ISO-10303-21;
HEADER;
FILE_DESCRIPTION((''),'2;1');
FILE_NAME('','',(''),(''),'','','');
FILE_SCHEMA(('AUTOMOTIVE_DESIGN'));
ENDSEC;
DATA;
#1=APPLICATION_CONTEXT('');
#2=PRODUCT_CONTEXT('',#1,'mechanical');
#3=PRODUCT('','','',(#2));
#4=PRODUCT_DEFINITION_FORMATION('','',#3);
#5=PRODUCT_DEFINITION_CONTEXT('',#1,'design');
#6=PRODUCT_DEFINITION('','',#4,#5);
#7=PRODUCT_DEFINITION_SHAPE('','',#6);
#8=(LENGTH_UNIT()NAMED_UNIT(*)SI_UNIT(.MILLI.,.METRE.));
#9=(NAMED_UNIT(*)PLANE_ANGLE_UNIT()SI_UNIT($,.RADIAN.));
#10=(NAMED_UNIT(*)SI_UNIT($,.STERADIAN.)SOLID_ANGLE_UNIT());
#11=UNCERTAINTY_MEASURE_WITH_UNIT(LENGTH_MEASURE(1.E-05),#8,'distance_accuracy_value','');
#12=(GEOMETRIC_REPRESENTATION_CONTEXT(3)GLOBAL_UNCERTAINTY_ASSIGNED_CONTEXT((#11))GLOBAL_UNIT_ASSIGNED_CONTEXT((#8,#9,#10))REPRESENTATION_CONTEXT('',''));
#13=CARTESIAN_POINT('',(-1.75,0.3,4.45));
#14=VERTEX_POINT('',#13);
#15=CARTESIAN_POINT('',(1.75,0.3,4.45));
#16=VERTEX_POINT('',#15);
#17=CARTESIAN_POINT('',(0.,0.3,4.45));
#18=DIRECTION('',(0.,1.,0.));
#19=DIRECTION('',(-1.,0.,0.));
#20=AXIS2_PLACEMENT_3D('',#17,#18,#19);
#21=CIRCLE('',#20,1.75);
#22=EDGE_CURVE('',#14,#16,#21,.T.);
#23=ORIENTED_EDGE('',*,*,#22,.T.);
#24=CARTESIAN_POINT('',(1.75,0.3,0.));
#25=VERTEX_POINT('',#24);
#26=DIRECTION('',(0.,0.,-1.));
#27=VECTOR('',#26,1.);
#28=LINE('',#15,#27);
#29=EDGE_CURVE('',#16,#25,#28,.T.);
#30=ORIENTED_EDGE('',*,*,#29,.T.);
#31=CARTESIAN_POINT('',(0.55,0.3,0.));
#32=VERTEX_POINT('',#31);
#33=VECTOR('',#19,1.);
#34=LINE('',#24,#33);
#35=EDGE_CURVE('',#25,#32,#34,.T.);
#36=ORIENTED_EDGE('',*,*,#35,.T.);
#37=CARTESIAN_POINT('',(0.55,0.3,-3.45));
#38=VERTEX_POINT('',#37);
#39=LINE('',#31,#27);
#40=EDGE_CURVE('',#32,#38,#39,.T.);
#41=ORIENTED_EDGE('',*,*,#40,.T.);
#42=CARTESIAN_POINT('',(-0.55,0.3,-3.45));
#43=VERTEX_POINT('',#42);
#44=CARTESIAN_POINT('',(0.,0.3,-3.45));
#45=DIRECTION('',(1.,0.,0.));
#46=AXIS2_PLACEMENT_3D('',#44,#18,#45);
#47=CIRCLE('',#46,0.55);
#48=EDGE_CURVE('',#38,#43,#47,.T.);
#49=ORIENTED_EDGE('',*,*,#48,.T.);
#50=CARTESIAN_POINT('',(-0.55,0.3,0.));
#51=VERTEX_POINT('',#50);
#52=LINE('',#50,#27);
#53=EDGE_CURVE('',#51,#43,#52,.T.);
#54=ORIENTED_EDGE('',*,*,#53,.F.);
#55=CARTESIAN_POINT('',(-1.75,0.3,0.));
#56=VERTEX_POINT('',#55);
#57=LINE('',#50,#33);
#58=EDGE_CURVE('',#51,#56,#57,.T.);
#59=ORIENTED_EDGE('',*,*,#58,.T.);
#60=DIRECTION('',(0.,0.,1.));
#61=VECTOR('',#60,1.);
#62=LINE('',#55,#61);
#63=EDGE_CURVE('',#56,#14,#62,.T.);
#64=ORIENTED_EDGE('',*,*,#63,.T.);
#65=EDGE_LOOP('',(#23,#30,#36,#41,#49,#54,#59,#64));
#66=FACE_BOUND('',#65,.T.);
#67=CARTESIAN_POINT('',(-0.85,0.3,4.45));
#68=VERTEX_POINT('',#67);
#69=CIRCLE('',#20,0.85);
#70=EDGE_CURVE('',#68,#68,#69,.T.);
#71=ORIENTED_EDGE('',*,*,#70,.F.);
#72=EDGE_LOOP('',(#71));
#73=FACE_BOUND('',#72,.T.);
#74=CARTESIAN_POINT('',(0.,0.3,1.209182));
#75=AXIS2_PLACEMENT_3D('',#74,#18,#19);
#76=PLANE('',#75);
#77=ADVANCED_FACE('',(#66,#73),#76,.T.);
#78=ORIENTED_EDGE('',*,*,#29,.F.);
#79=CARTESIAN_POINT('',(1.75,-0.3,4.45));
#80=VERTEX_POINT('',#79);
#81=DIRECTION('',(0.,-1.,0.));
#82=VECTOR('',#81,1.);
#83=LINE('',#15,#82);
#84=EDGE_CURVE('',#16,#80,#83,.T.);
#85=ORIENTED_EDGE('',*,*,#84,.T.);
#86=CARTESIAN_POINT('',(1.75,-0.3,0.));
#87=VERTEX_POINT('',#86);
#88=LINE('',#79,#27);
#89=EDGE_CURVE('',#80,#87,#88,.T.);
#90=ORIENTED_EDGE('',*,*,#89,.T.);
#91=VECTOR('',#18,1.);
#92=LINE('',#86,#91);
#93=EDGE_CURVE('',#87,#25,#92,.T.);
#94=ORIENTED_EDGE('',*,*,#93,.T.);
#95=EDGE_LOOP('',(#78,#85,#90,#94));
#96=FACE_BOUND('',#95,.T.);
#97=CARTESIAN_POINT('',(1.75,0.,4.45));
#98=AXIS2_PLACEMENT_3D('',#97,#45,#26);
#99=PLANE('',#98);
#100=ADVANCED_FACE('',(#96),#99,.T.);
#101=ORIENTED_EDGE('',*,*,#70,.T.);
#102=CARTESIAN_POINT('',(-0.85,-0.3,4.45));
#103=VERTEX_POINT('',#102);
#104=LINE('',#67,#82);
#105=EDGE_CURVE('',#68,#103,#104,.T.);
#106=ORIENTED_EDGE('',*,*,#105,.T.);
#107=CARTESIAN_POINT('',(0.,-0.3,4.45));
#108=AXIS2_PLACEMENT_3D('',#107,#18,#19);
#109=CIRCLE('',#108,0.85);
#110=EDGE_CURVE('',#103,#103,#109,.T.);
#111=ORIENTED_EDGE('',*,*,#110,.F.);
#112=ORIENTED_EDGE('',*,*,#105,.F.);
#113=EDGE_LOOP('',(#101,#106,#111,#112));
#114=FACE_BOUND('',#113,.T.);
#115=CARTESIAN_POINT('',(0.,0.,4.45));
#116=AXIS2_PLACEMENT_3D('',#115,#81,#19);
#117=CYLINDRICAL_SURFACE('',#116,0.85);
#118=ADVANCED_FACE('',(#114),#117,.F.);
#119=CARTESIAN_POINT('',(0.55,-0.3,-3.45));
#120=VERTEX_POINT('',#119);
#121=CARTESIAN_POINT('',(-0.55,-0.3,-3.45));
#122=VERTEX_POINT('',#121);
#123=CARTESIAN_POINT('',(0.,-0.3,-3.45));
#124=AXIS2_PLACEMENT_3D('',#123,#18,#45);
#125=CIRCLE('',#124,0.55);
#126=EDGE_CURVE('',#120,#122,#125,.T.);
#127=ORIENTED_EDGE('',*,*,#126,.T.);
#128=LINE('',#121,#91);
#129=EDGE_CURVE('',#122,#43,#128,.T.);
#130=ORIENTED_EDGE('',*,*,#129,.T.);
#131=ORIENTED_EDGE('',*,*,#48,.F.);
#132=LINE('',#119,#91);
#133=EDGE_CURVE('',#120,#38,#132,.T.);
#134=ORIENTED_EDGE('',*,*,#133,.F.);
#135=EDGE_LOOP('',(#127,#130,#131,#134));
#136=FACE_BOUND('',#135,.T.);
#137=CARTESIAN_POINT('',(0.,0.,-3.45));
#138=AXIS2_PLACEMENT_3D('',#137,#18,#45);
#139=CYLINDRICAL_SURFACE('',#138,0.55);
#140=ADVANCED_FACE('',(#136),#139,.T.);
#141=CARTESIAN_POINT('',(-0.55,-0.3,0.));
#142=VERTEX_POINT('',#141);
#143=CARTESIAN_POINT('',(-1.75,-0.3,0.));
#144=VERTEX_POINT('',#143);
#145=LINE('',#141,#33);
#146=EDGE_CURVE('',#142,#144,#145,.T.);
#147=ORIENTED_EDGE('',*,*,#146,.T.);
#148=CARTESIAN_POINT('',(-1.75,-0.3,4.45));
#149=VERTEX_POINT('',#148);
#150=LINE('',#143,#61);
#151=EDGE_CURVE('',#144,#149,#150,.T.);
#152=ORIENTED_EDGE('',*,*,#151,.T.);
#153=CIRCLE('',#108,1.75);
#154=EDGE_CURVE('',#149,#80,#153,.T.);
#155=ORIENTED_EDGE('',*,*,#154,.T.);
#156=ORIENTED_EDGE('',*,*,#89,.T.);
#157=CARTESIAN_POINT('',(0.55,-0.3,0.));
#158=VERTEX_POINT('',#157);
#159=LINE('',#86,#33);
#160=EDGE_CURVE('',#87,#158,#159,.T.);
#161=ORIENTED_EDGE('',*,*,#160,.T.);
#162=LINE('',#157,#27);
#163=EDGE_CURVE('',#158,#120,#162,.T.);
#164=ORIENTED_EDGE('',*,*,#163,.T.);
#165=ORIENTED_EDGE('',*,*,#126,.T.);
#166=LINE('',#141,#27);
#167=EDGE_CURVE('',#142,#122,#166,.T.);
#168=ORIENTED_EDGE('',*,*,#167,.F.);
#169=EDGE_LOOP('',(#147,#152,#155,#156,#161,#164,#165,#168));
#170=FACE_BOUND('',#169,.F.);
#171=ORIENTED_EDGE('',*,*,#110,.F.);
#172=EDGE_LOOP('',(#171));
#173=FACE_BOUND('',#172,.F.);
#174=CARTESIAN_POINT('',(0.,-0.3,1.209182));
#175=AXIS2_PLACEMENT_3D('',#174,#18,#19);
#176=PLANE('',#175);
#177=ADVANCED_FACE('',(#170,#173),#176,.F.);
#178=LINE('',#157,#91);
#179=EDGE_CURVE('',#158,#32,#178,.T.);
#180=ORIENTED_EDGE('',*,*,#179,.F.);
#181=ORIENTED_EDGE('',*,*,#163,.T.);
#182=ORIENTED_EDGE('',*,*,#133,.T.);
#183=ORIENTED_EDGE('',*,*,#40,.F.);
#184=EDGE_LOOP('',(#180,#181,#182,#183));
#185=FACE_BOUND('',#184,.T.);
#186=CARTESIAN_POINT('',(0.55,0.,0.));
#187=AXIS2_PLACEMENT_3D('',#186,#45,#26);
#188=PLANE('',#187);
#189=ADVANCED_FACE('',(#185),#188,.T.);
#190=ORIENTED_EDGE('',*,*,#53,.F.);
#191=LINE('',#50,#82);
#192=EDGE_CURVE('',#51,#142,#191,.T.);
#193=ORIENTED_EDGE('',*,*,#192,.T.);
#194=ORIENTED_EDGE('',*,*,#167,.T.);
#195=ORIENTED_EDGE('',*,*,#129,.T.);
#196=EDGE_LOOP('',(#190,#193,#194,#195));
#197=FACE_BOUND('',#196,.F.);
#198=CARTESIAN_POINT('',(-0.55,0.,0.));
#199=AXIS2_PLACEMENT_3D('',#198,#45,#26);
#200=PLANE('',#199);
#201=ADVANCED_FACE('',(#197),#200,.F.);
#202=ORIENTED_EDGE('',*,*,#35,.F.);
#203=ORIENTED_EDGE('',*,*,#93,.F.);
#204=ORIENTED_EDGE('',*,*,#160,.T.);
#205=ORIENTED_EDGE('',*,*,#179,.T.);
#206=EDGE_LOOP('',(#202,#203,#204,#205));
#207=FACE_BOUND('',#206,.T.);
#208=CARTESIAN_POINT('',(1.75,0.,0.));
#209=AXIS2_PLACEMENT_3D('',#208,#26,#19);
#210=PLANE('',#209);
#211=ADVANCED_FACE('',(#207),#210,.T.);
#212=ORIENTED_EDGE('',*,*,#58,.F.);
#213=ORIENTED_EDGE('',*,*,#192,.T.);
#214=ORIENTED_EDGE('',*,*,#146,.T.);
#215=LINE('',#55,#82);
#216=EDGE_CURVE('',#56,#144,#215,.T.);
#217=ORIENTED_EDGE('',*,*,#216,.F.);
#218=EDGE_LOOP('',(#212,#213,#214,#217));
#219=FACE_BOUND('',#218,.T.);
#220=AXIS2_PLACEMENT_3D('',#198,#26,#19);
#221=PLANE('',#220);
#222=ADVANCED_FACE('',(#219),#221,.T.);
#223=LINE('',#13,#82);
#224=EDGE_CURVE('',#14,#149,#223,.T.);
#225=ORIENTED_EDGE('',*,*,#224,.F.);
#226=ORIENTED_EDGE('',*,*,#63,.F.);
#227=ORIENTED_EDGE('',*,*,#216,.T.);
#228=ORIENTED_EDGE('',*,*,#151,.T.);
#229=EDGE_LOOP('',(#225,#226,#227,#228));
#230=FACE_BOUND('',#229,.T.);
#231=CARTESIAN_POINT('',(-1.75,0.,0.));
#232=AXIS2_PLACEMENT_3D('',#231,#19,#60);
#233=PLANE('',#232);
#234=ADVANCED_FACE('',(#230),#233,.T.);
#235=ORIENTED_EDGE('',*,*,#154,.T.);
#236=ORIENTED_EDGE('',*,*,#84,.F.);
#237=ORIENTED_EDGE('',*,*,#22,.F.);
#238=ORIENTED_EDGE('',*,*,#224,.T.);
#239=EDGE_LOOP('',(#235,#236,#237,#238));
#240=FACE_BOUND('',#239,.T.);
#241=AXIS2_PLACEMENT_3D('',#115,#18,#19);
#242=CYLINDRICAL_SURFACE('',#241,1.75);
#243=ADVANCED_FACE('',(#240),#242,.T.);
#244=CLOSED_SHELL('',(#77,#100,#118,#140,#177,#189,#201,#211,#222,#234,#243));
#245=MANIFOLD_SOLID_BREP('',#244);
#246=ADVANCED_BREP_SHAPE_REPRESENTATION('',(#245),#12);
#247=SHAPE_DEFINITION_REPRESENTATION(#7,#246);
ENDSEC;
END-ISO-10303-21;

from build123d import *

# Parameters (mm, degrees)
SKETCH_R  = 0.85
PAD_DEPTH = 0.3


with BuildPart() as part:
    # Sketch → Pad (new body, symmetric)
    with BuildSketch(Plane(origin=(0, 0, 0), x_dir=(-1, 0, 0), z_dir=(0, 1, 0))):
        with BuildLine():
            Line((-1.75, 4.45), (-1.75, 0))
            Line((-1.75, 0), (-0.55, 0))
            Line((-0.55, 0), (-0.55, -3.45))
            ThreePointArc((-0.55, -3.45), (0, -4), (0.55, -3.45))
            Line((0.55, 0), (0.55, -3.45))
            Line((0.55, 0), (1.75, 0))
            Line((1.75, 0), (1.75, 4.45))
            ThreePointArc((1.75, 4.45), (0, 6.2), (-1.75, 4.45))
        make_face()
        with Locations((0, 4.45)):
            Circle(SKETCH_R, mode=Mode.SUBTRACT)
    extrude(amount=PAD_DEPTH, both=True)


solid = part.part
